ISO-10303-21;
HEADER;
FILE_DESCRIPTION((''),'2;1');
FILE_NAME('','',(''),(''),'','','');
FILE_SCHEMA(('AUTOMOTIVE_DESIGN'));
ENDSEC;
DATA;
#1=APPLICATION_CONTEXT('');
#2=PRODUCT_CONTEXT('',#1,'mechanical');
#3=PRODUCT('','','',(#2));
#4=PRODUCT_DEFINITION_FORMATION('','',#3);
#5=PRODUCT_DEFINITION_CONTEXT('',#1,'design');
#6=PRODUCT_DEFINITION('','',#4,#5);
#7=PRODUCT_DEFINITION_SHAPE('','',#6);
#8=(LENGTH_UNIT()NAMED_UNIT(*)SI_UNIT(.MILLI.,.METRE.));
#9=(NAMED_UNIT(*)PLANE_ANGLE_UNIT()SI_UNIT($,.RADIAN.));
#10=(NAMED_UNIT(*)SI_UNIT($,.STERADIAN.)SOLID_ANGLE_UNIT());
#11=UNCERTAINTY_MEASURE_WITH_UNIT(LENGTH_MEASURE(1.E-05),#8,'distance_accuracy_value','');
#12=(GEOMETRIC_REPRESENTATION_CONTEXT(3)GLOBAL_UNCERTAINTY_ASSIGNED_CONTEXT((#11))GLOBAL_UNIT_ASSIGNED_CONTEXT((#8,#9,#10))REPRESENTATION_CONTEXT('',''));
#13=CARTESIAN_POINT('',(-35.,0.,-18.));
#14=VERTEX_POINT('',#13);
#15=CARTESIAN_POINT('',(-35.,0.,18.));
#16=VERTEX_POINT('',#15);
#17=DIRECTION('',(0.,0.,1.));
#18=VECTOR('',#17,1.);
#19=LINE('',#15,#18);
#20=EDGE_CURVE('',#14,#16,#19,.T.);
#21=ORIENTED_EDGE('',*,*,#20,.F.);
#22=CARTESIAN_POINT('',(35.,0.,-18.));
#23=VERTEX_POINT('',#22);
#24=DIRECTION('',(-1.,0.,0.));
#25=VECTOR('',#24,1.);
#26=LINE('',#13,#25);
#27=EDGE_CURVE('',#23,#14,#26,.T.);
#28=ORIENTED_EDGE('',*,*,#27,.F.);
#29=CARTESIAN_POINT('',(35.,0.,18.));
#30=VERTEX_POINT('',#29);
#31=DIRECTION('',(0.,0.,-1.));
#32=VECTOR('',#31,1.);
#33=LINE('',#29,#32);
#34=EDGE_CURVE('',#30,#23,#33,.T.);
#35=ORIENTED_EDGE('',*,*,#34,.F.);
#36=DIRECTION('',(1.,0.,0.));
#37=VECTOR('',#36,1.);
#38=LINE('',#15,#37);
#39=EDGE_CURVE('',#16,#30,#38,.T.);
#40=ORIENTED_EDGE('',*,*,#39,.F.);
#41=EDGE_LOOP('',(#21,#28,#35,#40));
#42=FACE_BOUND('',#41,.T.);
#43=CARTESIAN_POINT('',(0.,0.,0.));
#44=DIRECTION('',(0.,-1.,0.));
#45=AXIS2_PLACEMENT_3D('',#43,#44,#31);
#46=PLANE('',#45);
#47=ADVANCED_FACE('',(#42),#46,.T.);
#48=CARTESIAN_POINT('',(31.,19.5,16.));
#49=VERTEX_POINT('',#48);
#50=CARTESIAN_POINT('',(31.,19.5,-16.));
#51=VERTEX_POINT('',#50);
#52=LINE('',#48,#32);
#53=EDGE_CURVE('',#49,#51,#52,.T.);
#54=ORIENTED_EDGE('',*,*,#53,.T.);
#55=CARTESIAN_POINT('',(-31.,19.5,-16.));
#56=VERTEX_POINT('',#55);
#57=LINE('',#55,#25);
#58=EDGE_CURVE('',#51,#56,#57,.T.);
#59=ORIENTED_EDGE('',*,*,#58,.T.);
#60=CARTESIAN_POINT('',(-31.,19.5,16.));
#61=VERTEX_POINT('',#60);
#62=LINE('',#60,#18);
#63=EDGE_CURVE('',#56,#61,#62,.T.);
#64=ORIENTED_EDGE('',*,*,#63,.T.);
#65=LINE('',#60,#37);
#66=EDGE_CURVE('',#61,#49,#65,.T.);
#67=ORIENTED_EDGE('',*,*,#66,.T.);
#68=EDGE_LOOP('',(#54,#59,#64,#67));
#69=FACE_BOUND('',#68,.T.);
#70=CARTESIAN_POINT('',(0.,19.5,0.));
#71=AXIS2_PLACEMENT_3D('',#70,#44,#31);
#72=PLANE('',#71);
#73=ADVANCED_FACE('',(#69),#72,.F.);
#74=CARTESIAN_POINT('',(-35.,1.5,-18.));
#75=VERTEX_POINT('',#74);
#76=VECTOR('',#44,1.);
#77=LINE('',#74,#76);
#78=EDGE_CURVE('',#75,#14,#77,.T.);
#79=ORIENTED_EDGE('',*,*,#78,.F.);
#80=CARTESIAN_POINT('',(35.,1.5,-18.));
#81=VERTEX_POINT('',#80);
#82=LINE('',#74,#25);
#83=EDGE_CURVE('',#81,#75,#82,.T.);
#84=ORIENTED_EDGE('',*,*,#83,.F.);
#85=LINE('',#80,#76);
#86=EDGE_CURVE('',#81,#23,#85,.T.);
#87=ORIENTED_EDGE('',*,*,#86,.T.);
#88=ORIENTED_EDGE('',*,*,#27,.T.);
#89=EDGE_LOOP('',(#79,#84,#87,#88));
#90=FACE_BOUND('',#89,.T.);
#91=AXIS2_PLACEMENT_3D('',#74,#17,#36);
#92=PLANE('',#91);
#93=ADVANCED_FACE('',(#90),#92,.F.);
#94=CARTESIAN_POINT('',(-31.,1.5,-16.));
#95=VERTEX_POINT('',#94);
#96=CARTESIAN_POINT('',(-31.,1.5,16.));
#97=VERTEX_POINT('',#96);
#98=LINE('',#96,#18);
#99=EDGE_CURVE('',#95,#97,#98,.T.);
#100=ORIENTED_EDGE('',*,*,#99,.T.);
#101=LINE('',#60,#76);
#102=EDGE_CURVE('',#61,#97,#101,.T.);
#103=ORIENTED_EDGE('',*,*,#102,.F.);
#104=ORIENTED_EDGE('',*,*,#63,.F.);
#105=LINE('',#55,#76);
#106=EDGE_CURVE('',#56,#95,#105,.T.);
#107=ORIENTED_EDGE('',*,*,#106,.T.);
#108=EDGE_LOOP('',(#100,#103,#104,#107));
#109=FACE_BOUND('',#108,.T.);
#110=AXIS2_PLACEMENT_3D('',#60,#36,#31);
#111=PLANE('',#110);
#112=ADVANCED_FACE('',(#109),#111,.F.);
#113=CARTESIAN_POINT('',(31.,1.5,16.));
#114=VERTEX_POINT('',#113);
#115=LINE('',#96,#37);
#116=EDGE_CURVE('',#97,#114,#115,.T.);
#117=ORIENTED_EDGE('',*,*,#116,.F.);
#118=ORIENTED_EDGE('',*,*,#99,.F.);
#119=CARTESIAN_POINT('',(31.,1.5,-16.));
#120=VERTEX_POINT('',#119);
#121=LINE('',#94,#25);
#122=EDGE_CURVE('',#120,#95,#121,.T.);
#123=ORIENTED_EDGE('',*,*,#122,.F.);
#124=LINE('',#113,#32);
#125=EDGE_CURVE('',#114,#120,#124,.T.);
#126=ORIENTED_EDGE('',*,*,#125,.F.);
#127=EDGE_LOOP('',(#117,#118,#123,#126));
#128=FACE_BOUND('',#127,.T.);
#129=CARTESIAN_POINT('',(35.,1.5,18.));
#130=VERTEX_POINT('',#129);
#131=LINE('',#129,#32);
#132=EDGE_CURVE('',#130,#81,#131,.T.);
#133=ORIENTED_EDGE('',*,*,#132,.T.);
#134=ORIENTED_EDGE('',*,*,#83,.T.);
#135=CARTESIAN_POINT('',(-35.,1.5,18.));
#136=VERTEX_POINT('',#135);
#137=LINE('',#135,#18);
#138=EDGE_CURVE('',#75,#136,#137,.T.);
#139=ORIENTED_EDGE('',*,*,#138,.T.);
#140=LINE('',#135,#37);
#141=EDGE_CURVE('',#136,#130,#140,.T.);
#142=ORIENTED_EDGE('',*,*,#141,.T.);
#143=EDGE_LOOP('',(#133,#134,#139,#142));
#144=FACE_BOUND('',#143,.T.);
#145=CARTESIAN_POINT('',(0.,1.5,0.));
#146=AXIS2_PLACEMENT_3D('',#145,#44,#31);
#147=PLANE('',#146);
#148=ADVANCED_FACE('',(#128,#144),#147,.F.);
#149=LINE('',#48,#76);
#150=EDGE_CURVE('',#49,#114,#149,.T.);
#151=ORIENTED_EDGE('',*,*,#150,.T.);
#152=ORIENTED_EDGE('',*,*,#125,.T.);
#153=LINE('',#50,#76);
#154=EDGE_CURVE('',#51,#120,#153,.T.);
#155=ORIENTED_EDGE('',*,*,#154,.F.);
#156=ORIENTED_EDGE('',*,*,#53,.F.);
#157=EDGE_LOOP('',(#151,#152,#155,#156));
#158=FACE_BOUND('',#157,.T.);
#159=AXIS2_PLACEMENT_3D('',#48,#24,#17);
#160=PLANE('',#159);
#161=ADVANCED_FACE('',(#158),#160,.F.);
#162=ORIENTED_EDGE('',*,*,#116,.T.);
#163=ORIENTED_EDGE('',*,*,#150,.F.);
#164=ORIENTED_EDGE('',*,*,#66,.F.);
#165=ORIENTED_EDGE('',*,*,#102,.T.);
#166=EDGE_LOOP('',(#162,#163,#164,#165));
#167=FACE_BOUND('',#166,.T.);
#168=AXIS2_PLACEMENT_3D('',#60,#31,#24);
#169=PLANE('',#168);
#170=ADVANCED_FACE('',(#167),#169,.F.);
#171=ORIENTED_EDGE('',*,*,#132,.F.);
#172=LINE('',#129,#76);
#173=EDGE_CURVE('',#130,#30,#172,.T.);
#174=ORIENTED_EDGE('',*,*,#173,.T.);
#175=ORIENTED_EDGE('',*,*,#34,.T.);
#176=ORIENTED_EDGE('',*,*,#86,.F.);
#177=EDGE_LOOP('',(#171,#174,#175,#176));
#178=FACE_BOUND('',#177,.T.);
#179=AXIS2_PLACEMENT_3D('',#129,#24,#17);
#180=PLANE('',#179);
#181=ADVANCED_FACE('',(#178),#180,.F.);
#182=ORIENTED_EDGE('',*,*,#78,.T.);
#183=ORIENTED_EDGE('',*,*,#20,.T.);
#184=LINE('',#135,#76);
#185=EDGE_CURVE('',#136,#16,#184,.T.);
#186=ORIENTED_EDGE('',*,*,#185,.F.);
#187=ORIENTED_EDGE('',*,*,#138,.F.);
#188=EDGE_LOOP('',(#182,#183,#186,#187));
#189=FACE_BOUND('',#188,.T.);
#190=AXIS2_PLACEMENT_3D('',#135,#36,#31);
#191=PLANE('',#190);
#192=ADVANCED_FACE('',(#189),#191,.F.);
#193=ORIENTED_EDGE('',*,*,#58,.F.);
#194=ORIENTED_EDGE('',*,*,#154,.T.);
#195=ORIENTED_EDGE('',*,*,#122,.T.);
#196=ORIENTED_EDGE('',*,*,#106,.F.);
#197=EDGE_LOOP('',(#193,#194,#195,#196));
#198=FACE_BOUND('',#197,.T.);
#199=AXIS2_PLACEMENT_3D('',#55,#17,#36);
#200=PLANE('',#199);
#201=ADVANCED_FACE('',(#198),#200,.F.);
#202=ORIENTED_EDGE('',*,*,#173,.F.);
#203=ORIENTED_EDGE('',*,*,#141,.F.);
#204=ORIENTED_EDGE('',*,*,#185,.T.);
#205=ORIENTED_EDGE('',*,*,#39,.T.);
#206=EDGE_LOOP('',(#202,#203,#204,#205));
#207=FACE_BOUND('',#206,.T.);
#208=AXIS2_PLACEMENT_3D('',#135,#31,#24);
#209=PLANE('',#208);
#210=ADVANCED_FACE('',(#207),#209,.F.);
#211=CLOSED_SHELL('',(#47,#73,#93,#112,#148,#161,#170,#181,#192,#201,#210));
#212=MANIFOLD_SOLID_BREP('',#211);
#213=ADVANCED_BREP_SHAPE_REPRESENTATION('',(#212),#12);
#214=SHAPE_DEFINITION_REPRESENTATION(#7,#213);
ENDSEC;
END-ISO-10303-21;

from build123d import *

# Parameters (mm, degrees)
SKETCH1_W           = 70
SKETCH1_H           = 36
BOSS_EXTRUDE1_DEPTH = 1.5
SKETCH2_W           = 62
SKETCH2_H           = 32
BOSS_EXTRUDE2_DEPTH = 18


with BuildPart() as part:
    # Sketch1 → Boss-Extrude1 (new body)
    with BuildSketch(Plane(origin=(0, 0, 0), x_dir=(1, 0, 0), z_dir=(0, 1, 0))):
        Rectangle(SKETCH1_W, SKETCH1_H)
    extrude(amount=BOSS_EXTRUDE1_DEPTH)

    # Sketch2 → Boss-Extrude2 (add)
    with BuildSketch(Plane(origin=(0, 1.5, 0), x_dir=(1, 0, 0), z_dir=(0, 1, 0))):
        Rectangle(SKETCH2_W, SKETCH2_H)
    extrude(amount=BOSS_EXTRUDE2_DEPTH)


solid = part.part
